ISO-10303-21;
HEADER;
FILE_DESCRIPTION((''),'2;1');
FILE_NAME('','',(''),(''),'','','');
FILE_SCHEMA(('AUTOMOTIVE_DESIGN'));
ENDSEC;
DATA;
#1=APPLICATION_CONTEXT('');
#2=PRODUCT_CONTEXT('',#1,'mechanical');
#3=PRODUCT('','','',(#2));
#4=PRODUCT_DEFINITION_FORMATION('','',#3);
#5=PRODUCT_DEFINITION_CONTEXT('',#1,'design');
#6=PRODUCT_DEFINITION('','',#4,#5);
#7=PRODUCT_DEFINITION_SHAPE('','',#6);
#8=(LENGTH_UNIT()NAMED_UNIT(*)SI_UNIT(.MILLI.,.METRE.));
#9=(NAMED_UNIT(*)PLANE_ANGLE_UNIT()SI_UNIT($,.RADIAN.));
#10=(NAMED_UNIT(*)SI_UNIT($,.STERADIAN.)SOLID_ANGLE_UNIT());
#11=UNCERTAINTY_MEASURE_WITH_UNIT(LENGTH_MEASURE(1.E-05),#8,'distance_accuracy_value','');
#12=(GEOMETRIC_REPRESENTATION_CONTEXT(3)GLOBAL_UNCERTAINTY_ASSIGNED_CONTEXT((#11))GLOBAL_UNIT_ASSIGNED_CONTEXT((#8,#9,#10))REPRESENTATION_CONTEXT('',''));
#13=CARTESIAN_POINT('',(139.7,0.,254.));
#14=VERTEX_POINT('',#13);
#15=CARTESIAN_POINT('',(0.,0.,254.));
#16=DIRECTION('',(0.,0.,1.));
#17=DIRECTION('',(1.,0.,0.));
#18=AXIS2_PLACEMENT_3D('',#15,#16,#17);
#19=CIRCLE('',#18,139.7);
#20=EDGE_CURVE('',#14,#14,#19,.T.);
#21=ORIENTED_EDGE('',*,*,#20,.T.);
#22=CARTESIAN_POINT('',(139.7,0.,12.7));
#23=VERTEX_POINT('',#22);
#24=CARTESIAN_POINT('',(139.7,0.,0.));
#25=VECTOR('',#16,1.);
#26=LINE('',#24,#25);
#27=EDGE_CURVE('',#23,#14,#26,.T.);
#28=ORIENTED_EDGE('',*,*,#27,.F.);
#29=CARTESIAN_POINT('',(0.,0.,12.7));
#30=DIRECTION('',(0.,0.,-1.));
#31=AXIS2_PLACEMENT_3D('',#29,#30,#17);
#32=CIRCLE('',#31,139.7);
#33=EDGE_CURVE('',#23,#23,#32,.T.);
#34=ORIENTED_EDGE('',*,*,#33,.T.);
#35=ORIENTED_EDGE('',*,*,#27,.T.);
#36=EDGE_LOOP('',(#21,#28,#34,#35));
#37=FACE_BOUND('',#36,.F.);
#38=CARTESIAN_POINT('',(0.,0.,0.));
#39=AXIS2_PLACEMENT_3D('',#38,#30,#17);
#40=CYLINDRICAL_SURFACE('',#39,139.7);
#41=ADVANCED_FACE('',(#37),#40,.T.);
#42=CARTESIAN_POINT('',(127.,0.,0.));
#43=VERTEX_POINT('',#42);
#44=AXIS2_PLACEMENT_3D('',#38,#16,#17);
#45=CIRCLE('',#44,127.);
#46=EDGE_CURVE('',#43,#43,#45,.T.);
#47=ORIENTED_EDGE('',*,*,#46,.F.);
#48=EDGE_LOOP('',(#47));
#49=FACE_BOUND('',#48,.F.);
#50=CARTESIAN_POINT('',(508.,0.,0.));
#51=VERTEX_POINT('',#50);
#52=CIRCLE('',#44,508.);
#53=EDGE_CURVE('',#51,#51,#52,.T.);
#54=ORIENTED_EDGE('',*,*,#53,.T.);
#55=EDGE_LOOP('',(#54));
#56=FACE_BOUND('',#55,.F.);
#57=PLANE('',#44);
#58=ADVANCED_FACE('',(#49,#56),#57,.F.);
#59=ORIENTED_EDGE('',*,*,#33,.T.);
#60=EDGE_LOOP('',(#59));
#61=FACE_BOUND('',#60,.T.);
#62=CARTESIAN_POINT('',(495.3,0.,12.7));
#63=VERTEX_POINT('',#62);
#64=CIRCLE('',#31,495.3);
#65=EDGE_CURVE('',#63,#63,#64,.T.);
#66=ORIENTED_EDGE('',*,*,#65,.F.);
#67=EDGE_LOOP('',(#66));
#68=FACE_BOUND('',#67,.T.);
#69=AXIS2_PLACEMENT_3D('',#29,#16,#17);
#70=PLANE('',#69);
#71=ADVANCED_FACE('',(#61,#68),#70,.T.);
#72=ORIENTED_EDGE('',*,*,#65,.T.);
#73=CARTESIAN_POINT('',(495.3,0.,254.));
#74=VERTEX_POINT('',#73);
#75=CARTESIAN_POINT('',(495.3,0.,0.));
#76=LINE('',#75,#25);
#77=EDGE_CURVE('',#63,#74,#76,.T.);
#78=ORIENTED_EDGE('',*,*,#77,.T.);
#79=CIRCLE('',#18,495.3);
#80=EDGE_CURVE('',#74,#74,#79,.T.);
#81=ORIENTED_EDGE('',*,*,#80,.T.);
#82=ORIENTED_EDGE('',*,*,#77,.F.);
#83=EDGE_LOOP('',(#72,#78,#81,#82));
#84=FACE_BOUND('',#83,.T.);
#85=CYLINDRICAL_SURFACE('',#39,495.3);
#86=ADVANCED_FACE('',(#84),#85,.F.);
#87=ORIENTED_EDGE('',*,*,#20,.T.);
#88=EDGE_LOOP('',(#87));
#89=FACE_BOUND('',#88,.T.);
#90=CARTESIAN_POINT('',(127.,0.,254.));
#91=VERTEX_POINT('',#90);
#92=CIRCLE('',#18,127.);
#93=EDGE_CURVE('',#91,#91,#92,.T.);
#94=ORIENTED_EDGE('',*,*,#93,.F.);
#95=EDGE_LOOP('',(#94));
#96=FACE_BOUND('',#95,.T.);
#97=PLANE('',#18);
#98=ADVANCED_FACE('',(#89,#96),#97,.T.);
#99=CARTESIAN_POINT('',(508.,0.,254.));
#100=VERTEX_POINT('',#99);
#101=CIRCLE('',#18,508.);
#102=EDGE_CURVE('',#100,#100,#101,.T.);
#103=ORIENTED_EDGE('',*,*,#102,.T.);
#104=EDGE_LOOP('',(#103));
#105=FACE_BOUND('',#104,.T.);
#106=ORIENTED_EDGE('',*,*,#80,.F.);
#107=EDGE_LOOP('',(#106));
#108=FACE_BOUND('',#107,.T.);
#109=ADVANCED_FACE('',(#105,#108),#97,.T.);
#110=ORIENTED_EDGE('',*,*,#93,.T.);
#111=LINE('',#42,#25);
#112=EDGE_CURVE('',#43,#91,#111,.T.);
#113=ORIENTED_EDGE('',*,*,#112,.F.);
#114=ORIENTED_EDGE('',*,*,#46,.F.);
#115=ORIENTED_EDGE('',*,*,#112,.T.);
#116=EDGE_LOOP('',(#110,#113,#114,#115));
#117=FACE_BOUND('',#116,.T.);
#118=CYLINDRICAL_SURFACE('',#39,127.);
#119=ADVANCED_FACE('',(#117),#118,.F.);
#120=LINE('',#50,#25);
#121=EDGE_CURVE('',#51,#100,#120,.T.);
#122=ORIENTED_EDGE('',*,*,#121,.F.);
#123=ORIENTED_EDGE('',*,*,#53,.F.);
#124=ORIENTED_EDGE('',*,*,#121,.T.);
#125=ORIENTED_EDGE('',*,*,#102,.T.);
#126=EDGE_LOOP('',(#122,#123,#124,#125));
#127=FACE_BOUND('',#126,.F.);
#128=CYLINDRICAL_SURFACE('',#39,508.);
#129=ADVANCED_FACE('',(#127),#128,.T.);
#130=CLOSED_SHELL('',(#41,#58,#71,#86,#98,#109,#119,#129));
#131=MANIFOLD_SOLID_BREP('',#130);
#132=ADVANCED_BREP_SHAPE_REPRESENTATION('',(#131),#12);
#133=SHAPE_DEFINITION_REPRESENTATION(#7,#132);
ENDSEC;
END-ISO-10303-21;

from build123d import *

# Parameters (mm, degrees)
F0_R     = 508
F0_R_2   = 127
F1_DEPTH = 254
F2_T     = -12.7


with BuildPart() as f1:
    # F0 (on Top) → F1 (new body)
    with BuildSketch(Plane.XY):
        Circle(F0_R)
        Circle(F0_R_2, mode=Mode.SUBTRACT)
    extrude(amount=F1_DEPTH)

    # F2
    f2_openings = [f1.faces().sort_by_distance(p)[0] for p in [
        (-493.63159, 0, 254),
    ]]
    offset(amount=F2_T, openings=f2_openings)


solid = f1.part
